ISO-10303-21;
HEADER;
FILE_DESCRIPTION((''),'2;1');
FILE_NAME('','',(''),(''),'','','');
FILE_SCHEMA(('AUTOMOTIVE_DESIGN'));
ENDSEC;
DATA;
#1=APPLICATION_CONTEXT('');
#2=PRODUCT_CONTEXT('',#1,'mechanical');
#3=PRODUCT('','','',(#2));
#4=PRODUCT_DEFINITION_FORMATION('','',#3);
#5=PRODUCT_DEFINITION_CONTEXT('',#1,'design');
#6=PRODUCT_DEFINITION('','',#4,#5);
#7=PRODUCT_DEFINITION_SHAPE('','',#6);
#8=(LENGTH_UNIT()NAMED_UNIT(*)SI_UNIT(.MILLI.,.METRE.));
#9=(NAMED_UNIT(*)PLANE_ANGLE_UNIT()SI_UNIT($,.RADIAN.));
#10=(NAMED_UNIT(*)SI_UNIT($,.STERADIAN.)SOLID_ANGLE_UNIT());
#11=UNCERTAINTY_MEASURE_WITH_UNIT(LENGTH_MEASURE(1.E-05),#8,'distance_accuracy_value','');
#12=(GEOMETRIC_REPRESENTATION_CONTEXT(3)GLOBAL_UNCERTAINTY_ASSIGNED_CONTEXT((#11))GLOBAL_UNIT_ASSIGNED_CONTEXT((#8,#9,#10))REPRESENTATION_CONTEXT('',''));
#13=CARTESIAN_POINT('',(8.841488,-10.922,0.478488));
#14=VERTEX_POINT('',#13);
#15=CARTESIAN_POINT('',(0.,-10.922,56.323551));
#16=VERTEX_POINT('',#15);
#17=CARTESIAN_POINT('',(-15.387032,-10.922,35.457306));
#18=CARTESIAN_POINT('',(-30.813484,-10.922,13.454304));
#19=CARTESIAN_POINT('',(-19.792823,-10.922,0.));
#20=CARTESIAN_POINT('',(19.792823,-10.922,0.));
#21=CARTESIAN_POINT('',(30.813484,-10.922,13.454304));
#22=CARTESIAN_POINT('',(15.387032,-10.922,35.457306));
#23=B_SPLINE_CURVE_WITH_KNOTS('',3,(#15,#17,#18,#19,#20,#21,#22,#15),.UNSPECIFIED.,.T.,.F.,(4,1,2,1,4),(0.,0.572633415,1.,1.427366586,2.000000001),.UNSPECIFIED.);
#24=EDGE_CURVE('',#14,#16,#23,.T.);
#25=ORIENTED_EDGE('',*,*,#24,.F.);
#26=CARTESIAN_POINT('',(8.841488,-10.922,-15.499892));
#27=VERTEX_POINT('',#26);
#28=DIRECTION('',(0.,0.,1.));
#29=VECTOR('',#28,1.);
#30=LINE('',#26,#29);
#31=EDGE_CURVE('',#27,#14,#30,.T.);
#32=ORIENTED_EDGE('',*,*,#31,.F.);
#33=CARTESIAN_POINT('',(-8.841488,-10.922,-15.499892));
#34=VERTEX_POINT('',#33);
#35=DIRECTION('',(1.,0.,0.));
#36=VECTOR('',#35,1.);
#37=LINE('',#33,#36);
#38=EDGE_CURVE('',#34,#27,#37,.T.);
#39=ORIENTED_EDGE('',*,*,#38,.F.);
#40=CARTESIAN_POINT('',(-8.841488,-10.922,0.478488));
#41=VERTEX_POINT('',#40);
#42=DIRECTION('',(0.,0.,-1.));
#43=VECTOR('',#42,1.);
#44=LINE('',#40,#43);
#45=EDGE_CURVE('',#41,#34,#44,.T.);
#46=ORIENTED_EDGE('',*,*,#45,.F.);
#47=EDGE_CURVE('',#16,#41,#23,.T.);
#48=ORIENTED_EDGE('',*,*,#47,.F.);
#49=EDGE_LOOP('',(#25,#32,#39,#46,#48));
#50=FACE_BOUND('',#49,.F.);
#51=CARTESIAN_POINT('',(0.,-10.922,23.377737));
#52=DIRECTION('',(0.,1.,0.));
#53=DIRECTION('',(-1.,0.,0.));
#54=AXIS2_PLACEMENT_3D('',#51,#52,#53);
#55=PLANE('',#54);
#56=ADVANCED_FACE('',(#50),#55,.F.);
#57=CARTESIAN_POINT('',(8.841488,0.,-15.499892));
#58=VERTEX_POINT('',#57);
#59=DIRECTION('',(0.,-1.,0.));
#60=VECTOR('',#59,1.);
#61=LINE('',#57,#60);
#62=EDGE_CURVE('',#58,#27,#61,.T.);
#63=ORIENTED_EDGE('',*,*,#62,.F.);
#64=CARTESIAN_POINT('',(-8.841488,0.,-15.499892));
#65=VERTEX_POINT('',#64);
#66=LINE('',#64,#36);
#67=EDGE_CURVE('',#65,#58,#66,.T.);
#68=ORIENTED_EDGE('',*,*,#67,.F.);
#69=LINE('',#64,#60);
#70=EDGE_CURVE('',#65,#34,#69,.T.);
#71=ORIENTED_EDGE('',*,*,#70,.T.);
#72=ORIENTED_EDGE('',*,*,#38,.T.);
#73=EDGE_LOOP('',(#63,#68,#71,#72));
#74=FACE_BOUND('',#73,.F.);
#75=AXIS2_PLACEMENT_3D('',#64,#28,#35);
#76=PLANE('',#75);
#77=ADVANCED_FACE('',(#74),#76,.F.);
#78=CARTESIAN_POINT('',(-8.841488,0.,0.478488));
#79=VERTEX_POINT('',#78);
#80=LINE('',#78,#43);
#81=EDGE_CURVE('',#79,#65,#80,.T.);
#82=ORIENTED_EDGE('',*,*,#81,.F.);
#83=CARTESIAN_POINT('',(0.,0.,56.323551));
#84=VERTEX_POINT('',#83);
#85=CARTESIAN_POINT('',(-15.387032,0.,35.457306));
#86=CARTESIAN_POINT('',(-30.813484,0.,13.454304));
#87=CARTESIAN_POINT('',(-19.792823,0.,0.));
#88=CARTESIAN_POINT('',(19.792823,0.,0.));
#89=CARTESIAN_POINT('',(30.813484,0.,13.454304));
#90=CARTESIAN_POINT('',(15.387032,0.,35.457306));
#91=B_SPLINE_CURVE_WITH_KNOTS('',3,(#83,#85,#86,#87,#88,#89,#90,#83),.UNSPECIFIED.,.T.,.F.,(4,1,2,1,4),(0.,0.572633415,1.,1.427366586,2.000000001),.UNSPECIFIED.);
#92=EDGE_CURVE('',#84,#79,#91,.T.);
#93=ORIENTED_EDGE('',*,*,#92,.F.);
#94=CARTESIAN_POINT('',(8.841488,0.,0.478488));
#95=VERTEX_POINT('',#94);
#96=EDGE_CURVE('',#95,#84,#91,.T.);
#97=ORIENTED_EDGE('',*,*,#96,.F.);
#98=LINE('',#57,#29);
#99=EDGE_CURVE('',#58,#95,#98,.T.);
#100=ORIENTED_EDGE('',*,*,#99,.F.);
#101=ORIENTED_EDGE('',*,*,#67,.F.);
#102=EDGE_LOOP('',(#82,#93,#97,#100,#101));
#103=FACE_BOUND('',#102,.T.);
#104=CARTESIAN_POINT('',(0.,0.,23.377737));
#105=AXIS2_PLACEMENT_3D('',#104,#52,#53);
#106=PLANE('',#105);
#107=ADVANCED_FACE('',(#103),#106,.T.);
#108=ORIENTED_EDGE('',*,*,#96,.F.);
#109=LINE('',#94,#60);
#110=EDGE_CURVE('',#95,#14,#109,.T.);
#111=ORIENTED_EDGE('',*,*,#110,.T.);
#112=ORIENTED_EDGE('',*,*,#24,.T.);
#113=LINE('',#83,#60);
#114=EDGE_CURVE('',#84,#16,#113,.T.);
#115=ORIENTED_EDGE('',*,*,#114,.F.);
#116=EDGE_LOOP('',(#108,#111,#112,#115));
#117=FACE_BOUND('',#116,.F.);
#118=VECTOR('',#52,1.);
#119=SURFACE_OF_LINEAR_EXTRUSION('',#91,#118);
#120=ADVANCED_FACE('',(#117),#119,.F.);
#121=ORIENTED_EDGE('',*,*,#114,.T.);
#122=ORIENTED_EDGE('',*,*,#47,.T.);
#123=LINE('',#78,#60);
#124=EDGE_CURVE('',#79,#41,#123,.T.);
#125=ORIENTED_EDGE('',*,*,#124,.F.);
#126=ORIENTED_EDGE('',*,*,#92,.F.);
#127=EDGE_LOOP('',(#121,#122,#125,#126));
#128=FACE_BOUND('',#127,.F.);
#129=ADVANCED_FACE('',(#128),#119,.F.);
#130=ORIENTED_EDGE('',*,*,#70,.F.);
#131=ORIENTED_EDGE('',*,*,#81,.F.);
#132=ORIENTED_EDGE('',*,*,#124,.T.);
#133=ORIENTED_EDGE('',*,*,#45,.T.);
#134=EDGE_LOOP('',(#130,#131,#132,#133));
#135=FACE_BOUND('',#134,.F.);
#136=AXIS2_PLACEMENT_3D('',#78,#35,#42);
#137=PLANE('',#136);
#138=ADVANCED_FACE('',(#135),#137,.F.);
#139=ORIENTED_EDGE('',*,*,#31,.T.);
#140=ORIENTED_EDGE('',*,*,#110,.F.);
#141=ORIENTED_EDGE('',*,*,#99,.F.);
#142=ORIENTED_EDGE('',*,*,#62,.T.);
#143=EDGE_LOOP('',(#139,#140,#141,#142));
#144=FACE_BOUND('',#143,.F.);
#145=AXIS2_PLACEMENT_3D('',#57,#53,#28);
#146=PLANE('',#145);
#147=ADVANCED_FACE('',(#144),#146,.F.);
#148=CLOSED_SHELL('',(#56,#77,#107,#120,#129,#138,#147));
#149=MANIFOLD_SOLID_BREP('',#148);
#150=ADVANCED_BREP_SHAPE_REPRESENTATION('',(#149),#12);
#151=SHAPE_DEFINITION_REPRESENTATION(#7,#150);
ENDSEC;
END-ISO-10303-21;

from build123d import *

# Parameters (mm, degrees)
F1_DEPTH = 10.922


with BuildPart() as f1:
    # F0 (on Front) → F1 (new body)
    with BuildSketch(Plane.XZ):
        with BuildLine():
            add(Edge.make_bspline(
                [(0, 0), (-3.3667510871, 0), (-6.2970937436, 0.1663674378), (-8.8414875791, 0.4784876968)],
                knots=[0, 0, 0, 0, 0.0726948808, 0.0726948808, 0.0726948808, 0.0726948808], degree=3))
            add(Edge.make_bspline(
                [(0, 0), (3.3667510871, 0), (6.2970937436, 0.1663674378), (8.8414875791, 0.4784876968)],
                knots=[0, 0, 0, 0, 0.0726948808, 0.0726948808, 0.0726948808, 0.0726948808], degree=3))
            add(Edge.make_bspline(
                [(8.8414875791, 0.4784876968), (21.2553534524, 2.001294024), (29.6920602658, 15.0538095138), (15.387032181, 35.4573056102), (0, 56.3235506415)],
                knots=[0.0726948808, 0.0726948808, 0.0726948808, 0.0726948808, 0.4273665857, 1, 1, 1, 1], degree=3))
            add(Edge.make_bspline(
                [(-8.8414875791, 0.4784876968), (-21.2553534524, 2.001294024), (-29.6920602658, 15.0538095138), (-15.387032181, 35.4573056102), (0, 56.3235506415)],
                knots=[0.0726948808, 0.0726948808, 0.0726948808, 0.0726948808, 0.4273665857, 1, 1, 1, 1], degree=3))
        make_face()
        with BuildLine():
            add(Edge.make_bspline(
                [(0, 0), (3.3667510871, 0), (6.2970937436, 0.1663674378), (8.8414875791, 0.4784876968)],
                knots=[0, 0, 0, 0, 0.0726948808, 0.0726948808, 0.0726948808, 0.0726948808], degree=3))
            add(Edge.make_bspline(
                [(0, 0), (-3.3667510871, 0), (-6.2970937436, 0.1663674378), (-8.8414875791, 0.4784876968)],
                knots=[0, 0, 0, 0, 0.0726948808, 0.0726948808, 0.0726948808, 0.0726948808], degree=3))
            Line((-8.8414875791, 0.4784876968), (-8.8414875791, -15.4998917132))
            Line((-8.8414875791, -15.4998917132), (8.8414875791, -15.4998917132))
            Line((8.8414875791, -15.4998917132), (8.8414875791, 0.4784876968))
        make_face()
    extrude(amount=F1_DEPTH)


solid = f1.part
